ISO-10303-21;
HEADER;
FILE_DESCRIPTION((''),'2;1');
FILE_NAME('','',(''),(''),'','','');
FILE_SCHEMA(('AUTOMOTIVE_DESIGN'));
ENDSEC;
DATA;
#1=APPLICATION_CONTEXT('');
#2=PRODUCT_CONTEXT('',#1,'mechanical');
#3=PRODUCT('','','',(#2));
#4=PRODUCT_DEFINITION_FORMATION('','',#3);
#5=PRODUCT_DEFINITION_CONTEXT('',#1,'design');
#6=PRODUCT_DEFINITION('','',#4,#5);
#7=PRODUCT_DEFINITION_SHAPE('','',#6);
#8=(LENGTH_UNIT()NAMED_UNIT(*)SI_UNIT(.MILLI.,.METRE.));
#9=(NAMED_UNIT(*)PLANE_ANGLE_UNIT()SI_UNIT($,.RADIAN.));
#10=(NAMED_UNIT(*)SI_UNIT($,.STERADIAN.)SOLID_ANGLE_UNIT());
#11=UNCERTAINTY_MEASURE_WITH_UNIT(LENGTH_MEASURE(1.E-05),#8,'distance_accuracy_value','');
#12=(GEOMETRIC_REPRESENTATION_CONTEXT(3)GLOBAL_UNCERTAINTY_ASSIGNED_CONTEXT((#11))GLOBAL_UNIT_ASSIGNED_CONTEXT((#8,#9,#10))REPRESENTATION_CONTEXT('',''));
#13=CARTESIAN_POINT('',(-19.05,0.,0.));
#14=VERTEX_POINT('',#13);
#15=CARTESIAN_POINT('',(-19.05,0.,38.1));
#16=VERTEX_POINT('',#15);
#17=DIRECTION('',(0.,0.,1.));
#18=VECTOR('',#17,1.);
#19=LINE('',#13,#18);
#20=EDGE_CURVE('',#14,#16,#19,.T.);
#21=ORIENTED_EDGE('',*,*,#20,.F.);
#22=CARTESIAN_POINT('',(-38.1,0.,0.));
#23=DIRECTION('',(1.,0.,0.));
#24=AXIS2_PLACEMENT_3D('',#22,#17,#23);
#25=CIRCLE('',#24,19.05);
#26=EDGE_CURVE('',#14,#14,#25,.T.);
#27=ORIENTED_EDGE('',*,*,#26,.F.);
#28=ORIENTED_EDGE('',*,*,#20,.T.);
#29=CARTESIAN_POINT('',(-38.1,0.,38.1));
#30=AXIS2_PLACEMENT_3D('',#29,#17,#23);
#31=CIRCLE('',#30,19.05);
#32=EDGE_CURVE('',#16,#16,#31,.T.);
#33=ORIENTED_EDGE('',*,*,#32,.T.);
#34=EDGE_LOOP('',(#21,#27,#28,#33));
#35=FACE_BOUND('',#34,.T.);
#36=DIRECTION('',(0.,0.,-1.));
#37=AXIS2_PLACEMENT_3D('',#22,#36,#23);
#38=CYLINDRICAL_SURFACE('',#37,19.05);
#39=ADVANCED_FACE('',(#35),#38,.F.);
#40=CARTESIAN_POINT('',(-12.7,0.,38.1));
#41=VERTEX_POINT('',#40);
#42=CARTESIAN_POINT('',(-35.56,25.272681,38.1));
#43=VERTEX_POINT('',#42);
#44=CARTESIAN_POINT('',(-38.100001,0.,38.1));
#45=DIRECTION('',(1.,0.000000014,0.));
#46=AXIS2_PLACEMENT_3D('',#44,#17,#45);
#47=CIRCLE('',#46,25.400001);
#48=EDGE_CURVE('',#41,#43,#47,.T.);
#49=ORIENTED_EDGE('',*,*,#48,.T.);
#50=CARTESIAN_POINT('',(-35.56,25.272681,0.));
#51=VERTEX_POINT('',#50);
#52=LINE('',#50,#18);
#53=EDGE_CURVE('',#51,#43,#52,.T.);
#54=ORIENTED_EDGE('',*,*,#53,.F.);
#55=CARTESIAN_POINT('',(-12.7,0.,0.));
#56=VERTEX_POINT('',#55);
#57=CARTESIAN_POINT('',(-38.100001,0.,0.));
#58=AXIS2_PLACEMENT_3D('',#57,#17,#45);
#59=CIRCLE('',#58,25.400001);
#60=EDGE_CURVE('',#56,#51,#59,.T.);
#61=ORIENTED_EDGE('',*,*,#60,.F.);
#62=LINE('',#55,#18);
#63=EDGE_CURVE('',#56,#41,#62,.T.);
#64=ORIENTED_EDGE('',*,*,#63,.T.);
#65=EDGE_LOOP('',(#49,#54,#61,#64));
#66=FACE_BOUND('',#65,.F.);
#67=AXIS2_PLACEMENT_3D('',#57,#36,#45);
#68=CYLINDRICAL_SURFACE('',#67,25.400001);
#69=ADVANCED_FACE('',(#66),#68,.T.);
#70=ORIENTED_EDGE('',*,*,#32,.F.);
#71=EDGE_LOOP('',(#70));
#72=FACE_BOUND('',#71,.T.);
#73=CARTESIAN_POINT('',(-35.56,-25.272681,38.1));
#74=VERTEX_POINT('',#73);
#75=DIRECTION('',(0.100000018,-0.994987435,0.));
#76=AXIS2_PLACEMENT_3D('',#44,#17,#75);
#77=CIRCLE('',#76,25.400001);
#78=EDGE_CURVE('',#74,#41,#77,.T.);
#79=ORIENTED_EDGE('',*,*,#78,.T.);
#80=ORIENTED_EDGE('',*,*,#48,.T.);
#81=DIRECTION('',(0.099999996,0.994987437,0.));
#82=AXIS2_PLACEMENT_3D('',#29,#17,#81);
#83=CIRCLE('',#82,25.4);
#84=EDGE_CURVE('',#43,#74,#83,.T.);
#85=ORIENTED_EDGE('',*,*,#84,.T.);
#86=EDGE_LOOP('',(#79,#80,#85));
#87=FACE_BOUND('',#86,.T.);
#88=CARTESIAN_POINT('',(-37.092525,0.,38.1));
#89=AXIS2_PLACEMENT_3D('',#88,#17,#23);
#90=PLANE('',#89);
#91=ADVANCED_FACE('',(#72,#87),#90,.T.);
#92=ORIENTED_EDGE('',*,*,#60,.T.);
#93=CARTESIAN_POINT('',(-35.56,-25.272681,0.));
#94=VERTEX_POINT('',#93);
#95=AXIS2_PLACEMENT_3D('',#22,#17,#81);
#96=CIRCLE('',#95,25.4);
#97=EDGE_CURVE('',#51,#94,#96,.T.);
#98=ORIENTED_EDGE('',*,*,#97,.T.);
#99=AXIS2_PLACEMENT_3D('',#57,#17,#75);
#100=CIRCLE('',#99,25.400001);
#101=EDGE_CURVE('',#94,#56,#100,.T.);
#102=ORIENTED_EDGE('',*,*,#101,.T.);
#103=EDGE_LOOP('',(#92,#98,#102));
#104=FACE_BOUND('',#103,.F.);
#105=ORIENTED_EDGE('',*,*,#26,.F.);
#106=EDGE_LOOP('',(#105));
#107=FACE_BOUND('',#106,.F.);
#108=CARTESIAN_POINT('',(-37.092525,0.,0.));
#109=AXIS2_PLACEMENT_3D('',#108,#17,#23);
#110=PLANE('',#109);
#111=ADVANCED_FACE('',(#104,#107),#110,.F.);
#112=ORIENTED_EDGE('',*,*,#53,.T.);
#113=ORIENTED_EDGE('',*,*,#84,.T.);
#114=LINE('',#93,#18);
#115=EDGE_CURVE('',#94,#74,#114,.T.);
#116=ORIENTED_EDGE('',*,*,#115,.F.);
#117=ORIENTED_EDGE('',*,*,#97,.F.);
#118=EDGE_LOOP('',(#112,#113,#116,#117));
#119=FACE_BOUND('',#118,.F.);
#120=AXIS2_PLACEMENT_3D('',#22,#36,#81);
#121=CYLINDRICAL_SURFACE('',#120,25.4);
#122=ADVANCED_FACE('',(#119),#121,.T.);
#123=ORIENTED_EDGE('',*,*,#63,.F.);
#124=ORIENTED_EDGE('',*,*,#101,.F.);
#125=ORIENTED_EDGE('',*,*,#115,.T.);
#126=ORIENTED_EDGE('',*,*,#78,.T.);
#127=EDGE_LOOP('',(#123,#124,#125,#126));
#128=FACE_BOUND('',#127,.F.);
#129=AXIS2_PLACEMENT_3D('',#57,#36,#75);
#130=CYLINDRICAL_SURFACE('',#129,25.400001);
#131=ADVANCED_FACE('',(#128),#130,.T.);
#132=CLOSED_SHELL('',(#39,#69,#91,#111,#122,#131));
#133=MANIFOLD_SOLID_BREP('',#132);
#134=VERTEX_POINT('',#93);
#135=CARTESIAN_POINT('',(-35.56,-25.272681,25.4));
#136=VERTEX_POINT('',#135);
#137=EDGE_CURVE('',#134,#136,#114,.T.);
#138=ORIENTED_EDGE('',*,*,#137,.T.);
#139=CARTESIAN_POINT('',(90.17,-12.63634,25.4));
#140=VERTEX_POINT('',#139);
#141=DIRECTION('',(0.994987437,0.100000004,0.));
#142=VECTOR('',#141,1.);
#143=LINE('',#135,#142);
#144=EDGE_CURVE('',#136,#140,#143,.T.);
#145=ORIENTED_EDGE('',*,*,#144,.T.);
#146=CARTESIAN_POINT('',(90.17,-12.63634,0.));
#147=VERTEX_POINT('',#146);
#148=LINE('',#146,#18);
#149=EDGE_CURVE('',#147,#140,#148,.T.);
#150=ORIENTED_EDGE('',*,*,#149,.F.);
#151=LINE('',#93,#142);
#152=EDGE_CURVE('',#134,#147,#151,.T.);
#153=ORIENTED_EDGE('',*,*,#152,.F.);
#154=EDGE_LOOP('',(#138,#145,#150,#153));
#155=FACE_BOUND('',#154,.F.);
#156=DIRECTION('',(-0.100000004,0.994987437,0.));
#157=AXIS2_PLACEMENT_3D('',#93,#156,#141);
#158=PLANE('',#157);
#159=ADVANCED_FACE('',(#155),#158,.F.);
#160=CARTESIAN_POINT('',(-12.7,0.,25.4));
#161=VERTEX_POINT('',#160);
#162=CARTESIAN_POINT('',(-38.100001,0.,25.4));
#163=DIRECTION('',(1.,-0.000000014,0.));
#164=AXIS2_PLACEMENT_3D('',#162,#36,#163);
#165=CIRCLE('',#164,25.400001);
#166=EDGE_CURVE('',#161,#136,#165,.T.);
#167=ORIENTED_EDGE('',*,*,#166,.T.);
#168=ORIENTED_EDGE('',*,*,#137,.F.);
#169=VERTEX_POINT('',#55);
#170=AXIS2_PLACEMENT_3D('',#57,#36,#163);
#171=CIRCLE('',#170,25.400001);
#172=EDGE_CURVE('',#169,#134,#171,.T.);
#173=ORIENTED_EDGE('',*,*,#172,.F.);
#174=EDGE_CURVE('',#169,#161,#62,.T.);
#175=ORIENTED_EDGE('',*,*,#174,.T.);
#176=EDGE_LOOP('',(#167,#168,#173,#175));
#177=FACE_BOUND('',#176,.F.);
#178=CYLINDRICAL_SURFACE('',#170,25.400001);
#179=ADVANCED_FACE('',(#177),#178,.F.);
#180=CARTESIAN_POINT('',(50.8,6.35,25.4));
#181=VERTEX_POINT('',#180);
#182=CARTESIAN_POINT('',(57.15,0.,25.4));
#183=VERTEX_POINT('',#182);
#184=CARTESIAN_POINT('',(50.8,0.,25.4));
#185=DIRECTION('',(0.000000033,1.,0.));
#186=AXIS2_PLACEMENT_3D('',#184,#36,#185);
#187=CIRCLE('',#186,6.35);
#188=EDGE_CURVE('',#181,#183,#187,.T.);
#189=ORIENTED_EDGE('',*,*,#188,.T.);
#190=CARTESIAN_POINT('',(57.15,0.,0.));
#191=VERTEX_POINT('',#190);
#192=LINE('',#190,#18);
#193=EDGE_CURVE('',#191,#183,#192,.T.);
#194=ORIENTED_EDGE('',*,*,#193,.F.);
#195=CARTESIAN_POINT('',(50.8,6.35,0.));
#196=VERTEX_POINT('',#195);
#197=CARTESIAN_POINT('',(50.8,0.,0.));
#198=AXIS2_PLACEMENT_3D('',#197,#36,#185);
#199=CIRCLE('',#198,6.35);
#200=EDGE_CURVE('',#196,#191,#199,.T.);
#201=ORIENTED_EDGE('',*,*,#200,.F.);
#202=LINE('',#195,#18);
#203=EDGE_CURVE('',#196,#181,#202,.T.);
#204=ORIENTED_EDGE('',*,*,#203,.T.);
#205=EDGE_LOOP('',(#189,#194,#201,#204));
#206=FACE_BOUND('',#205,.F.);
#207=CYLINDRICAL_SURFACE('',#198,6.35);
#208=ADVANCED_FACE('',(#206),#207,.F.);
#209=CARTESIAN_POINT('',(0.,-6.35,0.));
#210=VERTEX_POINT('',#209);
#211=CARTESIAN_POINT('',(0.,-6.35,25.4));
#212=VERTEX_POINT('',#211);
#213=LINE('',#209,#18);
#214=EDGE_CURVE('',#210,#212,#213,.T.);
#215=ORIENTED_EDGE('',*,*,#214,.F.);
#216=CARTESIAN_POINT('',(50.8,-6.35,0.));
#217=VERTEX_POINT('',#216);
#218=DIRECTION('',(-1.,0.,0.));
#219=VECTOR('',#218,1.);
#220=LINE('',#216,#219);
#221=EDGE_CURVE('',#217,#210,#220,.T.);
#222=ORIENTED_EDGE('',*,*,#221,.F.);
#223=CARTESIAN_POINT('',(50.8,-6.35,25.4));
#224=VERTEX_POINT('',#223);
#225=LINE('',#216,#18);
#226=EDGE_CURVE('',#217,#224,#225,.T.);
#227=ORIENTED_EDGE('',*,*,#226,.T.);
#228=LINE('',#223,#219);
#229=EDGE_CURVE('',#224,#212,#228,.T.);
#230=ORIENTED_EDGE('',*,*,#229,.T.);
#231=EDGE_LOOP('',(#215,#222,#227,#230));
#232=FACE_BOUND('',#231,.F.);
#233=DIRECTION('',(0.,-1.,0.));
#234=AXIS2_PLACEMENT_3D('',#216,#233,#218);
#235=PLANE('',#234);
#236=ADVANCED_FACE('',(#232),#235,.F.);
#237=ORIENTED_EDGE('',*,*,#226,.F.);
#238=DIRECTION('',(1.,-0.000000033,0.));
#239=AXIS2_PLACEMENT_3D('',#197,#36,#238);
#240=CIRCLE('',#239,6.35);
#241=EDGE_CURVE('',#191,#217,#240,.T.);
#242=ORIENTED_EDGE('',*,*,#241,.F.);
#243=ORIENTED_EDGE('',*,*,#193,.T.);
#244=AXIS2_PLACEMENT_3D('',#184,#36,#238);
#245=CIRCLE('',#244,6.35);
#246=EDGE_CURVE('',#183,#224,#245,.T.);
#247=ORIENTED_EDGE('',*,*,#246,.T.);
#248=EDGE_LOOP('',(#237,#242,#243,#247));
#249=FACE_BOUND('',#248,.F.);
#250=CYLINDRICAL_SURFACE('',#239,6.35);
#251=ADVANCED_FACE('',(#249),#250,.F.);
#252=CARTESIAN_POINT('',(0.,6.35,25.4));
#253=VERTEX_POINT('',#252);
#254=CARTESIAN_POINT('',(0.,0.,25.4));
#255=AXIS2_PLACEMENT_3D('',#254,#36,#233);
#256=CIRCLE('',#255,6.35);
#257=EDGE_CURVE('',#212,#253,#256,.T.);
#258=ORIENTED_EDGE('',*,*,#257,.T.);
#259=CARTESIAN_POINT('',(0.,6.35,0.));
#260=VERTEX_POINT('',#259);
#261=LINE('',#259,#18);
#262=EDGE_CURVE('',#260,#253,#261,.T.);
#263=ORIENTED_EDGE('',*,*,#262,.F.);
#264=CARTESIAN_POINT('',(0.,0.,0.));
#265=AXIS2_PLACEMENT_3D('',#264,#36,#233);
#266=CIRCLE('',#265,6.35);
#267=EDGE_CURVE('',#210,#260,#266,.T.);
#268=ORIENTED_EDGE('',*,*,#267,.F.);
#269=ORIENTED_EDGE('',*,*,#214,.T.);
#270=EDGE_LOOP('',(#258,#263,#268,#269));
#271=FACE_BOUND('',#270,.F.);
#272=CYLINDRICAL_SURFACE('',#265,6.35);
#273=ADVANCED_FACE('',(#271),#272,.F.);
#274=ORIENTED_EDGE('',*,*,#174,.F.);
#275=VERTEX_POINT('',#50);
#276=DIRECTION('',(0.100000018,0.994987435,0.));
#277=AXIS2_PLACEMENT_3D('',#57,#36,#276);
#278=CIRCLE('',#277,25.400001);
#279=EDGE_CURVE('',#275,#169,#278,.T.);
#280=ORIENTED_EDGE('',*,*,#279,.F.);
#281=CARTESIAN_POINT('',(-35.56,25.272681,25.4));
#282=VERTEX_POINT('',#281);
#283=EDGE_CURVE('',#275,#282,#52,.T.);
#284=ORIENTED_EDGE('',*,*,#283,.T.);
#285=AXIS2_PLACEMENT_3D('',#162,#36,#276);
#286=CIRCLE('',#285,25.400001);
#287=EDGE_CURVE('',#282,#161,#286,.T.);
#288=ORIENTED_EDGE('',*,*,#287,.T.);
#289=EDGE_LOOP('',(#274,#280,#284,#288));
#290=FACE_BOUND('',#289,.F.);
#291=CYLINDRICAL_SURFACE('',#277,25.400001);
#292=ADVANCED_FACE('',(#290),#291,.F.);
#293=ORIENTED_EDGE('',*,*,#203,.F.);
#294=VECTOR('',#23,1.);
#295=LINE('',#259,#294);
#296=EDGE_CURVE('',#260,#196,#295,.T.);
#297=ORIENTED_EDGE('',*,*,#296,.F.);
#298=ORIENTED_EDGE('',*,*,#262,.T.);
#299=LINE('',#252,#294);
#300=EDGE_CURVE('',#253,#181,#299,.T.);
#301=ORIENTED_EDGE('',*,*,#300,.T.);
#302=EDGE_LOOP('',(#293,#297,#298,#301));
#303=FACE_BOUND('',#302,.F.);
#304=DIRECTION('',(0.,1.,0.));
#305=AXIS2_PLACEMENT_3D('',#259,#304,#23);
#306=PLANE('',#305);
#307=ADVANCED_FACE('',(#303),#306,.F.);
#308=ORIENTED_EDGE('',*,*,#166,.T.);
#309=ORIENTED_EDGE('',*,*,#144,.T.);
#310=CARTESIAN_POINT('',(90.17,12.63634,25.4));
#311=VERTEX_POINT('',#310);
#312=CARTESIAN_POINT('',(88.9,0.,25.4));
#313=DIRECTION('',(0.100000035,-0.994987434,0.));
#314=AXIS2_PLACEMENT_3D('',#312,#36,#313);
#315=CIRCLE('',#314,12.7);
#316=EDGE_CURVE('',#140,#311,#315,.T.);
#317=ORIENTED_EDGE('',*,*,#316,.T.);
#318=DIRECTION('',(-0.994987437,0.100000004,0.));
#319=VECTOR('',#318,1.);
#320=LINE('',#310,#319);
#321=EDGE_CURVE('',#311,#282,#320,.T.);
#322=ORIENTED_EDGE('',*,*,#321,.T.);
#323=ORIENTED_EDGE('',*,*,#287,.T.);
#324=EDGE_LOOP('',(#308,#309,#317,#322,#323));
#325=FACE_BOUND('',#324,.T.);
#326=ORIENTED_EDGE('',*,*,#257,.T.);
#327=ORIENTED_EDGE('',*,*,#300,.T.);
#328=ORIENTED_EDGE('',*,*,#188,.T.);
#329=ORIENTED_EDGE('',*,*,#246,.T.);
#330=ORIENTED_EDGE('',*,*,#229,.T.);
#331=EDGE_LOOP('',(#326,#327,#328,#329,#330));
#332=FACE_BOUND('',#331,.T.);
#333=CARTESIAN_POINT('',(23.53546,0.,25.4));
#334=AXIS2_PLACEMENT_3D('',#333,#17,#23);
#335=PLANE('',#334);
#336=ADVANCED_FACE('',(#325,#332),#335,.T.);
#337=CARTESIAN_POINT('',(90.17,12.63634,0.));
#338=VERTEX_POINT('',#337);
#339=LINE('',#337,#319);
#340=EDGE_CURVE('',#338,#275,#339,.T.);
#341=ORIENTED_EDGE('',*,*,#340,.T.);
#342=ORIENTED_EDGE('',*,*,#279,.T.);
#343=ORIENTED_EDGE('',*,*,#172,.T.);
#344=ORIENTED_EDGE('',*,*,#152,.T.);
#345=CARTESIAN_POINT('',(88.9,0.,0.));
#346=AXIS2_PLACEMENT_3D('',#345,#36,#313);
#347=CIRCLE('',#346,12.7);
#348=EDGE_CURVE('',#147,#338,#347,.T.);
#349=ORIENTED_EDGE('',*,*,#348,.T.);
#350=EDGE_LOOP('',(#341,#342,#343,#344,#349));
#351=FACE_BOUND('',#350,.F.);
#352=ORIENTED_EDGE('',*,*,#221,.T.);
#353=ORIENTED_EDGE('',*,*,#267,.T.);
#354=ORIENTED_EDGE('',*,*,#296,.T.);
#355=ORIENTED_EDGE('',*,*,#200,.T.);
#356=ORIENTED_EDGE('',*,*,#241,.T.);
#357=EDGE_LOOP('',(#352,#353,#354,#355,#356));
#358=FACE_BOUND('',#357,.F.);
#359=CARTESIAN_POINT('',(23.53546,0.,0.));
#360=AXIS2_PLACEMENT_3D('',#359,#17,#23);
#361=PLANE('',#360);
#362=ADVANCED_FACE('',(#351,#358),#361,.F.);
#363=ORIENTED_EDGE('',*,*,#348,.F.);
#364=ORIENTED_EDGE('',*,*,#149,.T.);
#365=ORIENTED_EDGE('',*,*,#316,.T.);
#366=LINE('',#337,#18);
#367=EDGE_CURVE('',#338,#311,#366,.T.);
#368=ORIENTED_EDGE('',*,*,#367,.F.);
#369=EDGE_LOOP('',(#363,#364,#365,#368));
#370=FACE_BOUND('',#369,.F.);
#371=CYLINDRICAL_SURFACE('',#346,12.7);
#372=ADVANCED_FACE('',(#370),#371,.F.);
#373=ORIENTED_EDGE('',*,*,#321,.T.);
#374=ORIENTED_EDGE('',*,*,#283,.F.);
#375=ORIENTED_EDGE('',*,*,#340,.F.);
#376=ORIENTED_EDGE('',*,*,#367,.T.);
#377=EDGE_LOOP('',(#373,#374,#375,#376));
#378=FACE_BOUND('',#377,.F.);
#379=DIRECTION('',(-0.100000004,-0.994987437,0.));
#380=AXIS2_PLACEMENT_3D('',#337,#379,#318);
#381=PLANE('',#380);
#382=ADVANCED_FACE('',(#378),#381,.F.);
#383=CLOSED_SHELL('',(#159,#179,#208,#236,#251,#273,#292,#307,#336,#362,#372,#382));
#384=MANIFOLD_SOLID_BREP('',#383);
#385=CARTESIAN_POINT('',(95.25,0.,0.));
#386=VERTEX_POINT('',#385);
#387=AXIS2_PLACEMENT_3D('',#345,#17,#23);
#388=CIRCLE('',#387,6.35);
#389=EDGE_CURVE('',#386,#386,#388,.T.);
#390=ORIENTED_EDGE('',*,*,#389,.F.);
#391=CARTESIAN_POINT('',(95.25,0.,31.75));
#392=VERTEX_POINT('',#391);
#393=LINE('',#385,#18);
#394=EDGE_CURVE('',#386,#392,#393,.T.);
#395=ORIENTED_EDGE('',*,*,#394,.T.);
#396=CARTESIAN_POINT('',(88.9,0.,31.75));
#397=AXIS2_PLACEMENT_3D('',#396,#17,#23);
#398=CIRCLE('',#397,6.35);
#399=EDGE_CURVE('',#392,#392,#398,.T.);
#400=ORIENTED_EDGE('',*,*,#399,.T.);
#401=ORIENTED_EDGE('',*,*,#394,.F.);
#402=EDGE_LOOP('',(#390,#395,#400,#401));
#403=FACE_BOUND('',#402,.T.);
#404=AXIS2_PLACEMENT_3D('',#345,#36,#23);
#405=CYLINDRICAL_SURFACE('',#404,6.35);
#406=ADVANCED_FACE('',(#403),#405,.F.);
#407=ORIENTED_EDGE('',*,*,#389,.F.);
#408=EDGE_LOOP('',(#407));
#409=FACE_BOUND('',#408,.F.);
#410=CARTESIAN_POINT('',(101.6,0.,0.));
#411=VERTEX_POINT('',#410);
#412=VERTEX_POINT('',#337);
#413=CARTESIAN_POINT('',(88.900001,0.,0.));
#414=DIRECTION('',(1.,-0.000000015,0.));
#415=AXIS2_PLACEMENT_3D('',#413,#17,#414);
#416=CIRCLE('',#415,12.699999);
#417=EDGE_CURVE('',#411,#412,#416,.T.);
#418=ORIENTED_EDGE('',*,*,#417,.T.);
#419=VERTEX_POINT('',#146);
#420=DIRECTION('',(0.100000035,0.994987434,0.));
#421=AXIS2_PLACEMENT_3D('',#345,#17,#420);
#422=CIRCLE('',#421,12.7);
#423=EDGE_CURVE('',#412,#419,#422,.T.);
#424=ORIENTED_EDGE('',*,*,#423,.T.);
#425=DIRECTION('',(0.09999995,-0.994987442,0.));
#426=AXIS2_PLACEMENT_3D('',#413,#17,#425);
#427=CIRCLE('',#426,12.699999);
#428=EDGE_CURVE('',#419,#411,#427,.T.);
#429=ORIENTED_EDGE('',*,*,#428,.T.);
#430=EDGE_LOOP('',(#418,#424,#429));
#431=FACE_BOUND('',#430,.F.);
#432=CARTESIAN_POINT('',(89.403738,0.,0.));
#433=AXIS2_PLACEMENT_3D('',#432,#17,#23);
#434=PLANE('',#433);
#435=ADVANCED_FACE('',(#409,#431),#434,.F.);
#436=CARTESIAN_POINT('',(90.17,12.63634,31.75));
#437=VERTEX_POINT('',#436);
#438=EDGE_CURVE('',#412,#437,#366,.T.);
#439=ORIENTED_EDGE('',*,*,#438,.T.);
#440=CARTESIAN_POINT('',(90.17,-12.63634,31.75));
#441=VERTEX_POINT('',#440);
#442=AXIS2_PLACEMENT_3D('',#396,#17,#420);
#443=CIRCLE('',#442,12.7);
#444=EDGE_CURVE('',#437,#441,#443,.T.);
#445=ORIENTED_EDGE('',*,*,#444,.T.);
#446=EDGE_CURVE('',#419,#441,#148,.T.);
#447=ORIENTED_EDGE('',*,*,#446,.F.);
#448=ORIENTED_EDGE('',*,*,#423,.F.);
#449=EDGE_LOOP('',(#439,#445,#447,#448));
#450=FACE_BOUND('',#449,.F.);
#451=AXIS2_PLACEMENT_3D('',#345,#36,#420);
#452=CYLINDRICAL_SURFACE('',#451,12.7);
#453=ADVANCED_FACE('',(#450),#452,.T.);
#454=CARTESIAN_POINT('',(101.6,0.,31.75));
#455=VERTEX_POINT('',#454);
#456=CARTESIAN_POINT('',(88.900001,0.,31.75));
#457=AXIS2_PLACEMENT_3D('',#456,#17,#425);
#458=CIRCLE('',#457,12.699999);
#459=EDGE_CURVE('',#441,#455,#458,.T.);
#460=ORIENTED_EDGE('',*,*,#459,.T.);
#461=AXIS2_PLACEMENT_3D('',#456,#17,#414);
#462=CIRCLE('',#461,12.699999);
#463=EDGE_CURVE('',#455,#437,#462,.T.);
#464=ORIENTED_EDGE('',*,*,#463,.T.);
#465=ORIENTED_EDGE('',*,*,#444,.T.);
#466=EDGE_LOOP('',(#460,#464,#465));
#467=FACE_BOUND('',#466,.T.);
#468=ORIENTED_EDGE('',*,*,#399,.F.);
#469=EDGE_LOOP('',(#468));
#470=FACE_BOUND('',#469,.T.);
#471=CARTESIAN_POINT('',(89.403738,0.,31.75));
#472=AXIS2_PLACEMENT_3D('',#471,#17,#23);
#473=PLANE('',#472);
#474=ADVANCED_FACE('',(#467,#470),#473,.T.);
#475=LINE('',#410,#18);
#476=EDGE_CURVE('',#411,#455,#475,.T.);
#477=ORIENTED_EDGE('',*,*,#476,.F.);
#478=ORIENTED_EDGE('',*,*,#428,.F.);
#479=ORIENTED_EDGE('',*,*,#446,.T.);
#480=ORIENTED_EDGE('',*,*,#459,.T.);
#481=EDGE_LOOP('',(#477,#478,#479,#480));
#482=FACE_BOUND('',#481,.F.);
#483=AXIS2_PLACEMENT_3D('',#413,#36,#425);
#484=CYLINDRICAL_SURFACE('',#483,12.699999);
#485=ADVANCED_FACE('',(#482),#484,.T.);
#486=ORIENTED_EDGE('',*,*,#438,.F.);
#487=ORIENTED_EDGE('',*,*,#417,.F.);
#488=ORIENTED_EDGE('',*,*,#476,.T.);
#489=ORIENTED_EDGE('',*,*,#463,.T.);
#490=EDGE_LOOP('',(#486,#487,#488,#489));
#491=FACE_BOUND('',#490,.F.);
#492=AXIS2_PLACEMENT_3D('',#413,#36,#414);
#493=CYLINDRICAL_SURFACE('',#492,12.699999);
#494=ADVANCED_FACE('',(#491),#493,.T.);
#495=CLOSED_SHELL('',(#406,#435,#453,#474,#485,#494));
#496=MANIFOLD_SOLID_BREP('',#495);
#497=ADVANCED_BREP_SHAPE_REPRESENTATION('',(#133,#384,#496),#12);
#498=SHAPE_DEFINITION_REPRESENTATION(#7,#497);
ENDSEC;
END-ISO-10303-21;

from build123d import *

# Parameters (mm, degrees)
F0_R     = 6.35
F1_DEPTH = 31.75
F0_R_2   = 19.05
F2_DEPTH = 38.1
F3_DEPTH = 25.4


with BuildPart() as f1:
    # F0 (on Top) → F1 (new body)
    with BuildSketch(Plane.XY):
        with BuildLine():
            ThreePointArc((101.6, 0), (98.318572, 8.519419), (90.17, 12.63634))
            ThreePointArc((90.17, 12.63634), (76.2, 0), (90.17, -12.63634))
            ThreePointArc((90.17, -12.63634), (98.318572, -8.519419), (101.6, 0))
        make_face()
        with Locations((88.9, 0)):
            Circle(F0_R, mode=Mode.SUBTRACT)
    extrude(amount=F1_DEPTH)


with BuildPart() as f2:
    # F0 (on Top) → F2 (new body)
    with BuildSketch(Plane.XY):
        with BuildLine():
            ThreePointArc((-35.56, -25.272681), (-19.262856, -17.038838), (-12.7, 0))
            ThreePointArc((-12.7, 0), (-19.262856, 17.038838), (-35.56, 25.272681))
            ThreePointArc((-35.56, 25.272681), (-63.5, 0), (-35.56, -25.272681))
        make_face()
        with Locations((-38.1, 0)):
            Circle(F0_R_2, mode=Mode.SUBTRACT)
    extrude(amount=F2_DEPTH)


with BuildPart() as f3:
    # F0 (on Top) → F3 (new body)
    with BuildSketch(Plane.XY):
        with BuildLine():
            ThreePointArc((-35.56, 25.272681), (-19.262856, 17.038838), (-12.7, 0))
            ThreePointArc((-12.7, 0), (-19.262856, -17.038838), (-35.56, -25.272681))
            Line((-35.56, -25.272681), (90.17, -12.63634))
            ThreePointArc((90.17, -12.63634), (76.2, 0), (90.17, 12.63634))
            Line((90.17, 12.63634), (-35.56, 25.272681))
        make_face()
        with BuildLine():
            ThreePointArc((0, -6.35), (-6.35, 0), (0, 6.35))
            Line((0, 6.35), (50.8, 6.35))
            ThreePointArc((50.8, 6.35), (55.290128, 4.490128), (57.15, 0))
            ThreePointArc((57.15, 0), (55.290128, -4.490128), (50.8, -6.35))
            Line((50.8, -6.35), (0, -6.35))
        make_face(mode=Mode.SUBTRACT)
    extrude(amount=F3_DEPTH)


solid = Compound([f1.part, f2.part, f3.part])
